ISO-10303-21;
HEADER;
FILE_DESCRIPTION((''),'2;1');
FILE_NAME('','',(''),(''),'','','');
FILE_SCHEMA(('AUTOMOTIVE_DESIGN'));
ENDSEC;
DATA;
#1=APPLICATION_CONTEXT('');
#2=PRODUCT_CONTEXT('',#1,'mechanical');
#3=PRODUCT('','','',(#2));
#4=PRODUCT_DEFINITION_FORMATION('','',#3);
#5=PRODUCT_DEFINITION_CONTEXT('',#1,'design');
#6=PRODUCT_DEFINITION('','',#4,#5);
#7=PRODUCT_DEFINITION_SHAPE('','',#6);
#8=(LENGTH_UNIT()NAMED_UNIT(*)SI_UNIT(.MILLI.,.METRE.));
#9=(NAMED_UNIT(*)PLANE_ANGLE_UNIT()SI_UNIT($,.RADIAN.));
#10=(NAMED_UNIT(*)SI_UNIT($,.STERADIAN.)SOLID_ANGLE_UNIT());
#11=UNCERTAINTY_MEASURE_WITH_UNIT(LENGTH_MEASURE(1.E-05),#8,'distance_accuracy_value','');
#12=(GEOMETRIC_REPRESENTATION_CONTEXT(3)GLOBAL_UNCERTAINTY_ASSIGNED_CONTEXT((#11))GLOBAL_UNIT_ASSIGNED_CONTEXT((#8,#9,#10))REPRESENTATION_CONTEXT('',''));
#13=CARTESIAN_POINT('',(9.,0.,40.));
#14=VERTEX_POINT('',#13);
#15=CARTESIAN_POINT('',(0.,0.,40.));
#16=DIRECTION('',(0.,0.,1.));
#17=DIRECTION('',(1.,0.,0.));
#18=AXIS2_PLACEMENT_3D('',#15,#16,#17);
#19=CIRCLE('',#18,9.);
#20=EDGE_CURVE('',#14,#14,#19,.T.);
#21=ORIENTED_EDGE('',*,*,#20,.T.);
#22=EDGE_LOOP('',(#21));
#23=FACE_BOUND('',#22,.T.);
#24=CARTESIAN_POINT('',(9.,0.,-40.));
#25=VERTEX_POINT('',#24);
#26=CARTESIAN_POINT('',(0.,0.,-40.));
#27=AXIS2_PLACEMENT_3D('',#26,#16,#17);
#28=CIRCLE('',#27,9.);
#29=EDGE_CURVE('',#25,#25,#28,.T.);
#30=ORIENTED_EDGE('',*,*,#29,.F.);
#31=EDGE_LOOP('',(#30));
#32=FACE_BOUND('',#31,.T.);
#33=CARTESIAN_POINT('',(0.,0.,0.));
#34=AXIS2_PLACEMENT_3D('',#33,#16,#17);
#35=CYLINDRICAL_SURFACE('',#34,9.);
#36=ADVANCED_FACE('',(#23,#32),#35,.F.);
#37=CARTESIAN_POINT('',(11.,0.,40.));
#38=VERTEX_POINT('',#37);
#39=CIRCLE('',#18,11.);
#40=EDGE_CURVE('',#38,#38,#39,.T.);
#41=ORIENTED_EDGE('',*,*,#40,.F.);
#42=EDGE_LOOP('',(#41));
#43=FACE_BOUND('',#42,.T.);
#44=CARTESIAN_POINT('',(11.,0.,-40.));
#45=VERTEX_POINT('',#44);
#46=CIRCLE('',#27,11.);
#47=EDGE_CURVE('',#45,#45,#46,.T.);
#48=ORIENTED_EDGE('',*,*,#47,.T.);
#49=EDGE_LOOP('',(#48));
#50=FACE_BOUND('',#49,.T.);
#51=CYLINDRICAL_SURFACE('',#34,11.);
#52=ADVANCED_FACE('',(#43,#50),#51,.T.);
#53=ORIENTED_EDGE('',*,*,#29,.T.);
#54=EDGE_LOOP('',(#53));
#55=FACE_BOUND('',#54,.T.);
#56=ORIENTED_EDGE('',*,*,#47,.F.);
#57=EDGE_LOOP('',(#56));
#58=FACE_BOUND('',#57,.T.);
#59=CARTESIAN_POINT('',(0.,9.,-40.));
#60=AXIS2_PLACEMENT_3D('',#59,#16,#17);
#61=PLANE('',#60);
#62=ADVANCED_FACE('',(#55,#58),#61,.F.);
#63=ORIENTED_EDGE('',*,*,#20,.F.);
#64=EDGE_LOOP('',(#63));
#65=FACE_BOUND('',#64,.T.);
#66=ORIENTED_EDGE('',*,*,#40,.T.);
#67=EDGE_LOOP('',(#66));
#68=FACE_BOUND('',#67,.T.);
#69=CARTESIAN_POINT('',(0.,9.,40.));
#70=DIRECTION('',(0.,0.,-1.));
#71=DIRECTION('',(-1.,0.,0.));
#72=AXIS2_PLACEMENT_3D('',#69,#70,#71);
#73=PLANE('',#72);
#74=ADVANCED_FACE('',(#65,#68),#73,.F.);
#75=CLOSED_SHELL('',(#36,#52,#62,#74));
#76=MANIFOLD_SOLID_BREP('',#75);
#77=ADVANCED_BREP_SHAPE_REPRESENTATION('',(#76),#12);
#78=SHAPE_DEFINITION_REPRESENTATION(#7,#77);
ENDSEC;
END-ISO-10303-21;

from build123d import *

# Parameters (mm, degrees)
SKETCH1_W = 80
SKETCH1_H = 2


with BuildPart() as part:
    # Sketch1 → Revolve1 (revolve)
    with BuildSketch(Plane(origin=(0, 0, 0), x_dir=(0, 0, -1), z_dir=(1, 0, 0))):
        with Locations((0, 10)):
            Rectangle(SKETCH1_W, SKETCH1_H)
    revolve(axis=Axis((0, 0, 0), (0, 0, -1)))


solid = part.part
